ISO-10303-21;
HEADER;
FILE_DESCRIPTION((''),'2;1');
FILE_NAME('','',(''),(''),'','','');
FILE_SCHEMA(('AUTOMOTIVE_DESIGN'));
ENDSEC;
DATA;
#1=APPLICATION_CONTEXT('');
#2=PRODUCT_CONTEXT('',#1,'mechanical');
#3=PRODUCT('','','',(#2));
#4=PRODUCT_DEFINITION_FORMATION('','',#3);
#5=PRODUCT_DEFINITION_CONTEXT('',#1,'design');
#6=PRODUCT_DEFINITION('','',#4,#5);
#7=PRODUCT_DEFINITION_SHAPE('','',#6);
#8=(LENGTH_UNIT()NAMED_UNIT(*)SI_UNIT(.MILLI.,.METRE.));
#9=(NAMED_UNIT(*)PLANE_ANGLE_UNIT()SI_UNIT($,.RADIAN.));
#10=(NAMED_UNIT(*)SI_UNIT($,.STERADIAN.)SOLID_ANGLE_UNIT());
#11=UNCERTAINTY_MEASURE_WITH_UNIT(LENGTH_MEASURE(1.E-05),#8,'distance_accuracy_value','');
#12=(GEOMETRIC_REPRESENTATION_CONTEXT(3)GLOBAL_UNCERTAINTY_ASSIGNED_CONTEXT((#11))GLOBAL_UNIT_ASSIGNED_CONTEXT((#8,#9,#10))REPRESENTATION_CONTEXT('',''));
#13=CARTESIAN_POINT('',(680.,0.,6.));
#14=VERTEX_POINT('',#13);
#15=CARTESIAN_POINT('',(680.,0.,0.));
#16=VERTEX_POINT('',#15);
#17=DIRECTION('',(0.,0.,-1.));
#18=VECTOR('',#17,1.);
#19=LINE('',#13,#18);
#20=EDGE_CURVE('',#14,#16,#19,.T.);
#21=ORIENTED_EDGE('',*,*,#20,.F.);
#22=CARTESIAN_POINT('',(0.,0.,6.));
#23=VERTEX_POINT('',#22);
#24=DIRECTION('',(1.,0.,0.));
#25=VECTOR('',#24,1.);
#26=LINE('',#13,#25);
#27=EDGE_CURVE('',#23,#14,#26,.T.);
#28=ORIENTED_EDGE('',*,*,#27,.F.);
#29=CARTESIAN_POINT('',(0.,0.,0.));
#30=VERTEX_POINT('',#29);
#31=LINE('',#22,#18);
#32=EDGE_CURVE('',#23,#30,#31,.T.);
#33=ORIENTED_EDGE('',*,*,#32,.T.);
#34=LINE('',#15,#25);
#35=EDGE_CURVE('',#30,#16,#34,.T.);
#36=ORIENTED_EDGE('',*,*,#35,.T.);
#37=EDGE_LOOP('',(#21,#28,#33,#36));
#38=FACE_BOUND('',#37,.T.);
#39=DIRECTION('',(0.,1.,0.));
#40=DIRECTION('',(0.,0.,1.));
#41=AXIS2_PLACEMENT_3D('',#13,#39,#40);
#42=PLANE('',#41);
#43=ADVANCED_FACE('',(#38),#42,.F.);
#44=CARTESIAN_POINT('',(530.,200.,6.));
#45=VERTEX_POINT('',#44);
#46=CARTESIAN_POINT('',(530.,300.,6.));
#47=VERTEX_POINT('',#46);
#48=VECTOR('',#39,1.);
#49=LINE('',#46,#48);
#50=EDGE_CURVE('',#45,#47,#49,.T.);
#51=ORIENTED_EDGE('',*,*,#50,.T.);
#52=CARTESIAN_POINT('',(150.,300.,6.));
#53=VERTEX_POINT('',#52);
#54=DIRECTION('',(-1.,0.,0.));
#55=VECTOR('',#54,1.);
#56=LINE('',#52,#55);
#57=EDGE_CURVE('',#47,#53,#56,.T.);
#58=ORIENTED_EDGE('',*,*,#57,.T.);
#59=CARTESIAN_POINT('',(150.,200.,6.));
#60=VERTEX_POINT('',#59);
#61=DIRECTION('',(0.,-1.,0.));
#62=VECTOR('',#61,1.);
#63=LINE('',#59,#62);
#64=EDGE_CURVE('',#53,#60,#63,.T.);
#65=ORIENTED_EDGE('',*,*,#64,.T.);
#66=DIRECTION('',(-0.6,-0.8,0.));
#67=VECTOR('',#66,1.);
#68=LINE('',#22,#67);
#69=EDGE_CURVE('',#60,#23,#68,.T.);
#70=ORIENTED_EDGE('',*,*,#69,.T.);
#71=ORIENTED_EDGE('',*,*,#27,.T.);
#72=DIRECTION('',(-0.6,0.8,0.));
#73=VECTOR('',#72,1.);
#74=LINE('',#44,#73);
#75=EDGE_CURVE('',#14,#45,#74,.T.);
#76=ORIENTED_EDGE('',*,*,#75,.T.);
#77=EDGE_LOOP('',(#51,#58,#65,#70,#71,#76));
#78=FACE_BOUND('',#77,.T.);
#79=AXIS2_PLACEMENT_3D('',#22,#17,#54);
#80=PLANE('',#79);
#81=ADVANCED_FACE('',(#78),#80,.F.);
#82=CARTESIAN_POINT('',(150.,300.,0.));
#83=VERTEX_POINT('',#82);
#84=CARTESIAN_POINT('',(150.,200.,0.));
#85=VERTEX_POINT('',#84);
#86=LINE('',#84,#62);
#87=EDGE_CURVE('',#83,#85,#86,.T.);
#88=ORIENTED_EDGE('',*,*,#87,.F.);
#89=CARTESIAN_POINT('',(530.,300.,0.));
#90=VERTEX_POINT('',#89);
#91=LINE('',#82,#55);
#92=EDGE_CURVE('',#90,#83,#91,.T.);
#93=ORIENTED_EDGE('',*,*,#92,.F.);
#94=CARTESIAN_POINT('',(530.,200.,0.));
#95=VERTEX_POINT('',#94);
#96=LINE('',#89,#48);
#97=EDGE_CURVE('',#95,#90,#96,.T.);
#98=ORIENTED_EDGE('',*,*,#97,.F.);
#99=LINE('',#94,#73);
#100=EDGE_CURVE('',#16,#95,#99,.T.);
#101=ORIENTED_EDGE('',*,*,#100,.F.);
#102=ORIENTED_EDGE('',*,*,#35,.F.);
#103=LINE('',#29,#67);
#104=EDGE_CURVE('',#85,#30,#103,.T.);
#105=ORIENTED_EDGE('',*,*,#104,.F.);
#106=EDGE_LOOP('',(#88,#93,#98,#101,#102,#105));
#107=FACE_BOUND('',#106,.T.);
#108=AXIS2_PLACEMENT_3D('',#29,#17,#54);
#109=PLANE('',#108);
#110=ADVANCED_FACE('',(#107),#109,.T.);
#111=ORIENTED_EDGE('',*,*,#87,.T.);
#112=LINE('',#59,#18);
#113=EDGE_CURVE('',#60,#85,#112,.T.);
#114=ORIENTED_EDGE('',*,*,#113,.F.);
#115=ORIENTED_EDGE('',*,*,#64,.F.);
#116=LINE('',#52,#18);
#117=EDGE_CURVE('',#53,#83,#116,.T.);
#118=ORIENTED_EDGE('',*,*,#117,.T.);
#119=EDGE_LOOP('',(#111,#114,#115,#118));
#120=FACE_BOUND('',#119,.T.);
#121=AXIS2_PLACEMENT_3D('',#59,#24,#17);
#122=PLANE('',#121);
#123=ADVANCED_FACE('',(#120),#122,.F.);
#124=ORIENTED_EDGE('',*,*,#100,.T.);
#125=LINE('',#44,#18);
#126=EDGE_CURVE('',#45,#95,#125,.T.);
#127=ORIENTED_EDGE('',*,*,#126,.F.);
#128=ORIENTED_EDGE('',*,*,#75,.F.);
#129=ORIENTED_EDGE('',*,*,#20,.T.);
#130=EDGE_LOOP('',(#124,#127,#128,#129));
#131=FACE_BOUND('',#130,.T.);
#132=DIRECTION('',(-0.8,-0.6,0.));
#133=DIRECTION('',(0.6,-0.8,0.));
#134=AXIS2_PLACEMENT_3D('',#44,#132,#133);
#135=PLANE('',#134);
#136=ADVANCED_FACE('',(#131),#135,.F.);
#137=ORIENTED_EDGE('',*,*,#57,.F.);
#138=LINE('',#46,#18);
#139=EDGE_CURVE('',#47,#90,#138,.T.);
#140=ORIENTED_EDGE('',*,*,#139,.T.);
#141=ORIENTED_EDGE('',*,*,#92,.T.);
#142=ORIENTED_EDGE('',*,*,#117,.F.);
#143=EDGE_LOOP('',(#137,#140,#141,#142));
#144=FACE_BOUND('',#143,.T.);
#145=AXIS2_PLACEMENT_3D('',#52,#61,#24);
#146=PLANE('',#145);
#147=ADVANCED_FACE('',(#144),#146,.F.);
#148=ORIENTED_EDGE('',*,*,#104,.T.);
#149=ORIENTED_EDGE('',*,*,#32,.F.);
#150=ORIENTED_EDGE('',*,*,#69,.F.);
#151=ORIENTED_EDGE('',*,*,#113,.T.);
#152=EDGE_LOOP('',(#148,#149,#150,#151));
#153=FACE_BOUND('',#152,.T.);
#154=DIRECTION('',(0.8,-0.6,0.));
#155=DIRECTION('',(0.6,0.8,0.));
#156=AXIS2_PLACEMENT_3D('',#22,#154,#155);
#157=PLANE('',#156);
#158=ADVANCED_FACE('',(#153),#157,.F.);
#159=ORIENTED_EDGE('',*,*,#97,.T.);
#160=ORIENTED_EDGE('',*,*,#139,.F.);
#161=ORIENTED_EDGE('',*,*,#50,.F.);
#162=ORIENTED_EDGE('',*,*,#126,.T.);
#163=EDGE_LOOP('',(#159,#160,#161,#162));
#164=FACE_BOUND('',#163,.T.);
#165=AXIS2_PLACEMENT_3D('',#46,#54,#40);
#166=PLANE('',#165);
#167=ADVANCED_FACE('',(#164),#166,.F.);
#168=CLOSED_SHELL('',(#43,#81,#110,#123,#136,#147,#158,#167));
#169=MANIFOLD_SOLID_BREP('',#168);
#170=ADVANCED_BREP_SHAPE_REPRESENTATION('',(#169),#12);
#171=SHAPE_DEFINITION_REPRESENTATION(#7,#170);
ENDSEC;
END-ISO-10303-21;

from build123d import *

# Parameters (mm, degrees)
RESSALTO_EXTRUS_O1_DEPTH = 6


with BuildPart() as part:
    # Esboço1 → Ressalto-extrusão1 (new body)
    with BuildSketch(Plane.XY):
        Polygon((0, 0), (150, 200), (150, 300), (530, 300), (530, 200), (680, 0), align=None)
    extrude(amount=RESSALTO_EXTRUS_O1_DEPTH)


solid = part.part
